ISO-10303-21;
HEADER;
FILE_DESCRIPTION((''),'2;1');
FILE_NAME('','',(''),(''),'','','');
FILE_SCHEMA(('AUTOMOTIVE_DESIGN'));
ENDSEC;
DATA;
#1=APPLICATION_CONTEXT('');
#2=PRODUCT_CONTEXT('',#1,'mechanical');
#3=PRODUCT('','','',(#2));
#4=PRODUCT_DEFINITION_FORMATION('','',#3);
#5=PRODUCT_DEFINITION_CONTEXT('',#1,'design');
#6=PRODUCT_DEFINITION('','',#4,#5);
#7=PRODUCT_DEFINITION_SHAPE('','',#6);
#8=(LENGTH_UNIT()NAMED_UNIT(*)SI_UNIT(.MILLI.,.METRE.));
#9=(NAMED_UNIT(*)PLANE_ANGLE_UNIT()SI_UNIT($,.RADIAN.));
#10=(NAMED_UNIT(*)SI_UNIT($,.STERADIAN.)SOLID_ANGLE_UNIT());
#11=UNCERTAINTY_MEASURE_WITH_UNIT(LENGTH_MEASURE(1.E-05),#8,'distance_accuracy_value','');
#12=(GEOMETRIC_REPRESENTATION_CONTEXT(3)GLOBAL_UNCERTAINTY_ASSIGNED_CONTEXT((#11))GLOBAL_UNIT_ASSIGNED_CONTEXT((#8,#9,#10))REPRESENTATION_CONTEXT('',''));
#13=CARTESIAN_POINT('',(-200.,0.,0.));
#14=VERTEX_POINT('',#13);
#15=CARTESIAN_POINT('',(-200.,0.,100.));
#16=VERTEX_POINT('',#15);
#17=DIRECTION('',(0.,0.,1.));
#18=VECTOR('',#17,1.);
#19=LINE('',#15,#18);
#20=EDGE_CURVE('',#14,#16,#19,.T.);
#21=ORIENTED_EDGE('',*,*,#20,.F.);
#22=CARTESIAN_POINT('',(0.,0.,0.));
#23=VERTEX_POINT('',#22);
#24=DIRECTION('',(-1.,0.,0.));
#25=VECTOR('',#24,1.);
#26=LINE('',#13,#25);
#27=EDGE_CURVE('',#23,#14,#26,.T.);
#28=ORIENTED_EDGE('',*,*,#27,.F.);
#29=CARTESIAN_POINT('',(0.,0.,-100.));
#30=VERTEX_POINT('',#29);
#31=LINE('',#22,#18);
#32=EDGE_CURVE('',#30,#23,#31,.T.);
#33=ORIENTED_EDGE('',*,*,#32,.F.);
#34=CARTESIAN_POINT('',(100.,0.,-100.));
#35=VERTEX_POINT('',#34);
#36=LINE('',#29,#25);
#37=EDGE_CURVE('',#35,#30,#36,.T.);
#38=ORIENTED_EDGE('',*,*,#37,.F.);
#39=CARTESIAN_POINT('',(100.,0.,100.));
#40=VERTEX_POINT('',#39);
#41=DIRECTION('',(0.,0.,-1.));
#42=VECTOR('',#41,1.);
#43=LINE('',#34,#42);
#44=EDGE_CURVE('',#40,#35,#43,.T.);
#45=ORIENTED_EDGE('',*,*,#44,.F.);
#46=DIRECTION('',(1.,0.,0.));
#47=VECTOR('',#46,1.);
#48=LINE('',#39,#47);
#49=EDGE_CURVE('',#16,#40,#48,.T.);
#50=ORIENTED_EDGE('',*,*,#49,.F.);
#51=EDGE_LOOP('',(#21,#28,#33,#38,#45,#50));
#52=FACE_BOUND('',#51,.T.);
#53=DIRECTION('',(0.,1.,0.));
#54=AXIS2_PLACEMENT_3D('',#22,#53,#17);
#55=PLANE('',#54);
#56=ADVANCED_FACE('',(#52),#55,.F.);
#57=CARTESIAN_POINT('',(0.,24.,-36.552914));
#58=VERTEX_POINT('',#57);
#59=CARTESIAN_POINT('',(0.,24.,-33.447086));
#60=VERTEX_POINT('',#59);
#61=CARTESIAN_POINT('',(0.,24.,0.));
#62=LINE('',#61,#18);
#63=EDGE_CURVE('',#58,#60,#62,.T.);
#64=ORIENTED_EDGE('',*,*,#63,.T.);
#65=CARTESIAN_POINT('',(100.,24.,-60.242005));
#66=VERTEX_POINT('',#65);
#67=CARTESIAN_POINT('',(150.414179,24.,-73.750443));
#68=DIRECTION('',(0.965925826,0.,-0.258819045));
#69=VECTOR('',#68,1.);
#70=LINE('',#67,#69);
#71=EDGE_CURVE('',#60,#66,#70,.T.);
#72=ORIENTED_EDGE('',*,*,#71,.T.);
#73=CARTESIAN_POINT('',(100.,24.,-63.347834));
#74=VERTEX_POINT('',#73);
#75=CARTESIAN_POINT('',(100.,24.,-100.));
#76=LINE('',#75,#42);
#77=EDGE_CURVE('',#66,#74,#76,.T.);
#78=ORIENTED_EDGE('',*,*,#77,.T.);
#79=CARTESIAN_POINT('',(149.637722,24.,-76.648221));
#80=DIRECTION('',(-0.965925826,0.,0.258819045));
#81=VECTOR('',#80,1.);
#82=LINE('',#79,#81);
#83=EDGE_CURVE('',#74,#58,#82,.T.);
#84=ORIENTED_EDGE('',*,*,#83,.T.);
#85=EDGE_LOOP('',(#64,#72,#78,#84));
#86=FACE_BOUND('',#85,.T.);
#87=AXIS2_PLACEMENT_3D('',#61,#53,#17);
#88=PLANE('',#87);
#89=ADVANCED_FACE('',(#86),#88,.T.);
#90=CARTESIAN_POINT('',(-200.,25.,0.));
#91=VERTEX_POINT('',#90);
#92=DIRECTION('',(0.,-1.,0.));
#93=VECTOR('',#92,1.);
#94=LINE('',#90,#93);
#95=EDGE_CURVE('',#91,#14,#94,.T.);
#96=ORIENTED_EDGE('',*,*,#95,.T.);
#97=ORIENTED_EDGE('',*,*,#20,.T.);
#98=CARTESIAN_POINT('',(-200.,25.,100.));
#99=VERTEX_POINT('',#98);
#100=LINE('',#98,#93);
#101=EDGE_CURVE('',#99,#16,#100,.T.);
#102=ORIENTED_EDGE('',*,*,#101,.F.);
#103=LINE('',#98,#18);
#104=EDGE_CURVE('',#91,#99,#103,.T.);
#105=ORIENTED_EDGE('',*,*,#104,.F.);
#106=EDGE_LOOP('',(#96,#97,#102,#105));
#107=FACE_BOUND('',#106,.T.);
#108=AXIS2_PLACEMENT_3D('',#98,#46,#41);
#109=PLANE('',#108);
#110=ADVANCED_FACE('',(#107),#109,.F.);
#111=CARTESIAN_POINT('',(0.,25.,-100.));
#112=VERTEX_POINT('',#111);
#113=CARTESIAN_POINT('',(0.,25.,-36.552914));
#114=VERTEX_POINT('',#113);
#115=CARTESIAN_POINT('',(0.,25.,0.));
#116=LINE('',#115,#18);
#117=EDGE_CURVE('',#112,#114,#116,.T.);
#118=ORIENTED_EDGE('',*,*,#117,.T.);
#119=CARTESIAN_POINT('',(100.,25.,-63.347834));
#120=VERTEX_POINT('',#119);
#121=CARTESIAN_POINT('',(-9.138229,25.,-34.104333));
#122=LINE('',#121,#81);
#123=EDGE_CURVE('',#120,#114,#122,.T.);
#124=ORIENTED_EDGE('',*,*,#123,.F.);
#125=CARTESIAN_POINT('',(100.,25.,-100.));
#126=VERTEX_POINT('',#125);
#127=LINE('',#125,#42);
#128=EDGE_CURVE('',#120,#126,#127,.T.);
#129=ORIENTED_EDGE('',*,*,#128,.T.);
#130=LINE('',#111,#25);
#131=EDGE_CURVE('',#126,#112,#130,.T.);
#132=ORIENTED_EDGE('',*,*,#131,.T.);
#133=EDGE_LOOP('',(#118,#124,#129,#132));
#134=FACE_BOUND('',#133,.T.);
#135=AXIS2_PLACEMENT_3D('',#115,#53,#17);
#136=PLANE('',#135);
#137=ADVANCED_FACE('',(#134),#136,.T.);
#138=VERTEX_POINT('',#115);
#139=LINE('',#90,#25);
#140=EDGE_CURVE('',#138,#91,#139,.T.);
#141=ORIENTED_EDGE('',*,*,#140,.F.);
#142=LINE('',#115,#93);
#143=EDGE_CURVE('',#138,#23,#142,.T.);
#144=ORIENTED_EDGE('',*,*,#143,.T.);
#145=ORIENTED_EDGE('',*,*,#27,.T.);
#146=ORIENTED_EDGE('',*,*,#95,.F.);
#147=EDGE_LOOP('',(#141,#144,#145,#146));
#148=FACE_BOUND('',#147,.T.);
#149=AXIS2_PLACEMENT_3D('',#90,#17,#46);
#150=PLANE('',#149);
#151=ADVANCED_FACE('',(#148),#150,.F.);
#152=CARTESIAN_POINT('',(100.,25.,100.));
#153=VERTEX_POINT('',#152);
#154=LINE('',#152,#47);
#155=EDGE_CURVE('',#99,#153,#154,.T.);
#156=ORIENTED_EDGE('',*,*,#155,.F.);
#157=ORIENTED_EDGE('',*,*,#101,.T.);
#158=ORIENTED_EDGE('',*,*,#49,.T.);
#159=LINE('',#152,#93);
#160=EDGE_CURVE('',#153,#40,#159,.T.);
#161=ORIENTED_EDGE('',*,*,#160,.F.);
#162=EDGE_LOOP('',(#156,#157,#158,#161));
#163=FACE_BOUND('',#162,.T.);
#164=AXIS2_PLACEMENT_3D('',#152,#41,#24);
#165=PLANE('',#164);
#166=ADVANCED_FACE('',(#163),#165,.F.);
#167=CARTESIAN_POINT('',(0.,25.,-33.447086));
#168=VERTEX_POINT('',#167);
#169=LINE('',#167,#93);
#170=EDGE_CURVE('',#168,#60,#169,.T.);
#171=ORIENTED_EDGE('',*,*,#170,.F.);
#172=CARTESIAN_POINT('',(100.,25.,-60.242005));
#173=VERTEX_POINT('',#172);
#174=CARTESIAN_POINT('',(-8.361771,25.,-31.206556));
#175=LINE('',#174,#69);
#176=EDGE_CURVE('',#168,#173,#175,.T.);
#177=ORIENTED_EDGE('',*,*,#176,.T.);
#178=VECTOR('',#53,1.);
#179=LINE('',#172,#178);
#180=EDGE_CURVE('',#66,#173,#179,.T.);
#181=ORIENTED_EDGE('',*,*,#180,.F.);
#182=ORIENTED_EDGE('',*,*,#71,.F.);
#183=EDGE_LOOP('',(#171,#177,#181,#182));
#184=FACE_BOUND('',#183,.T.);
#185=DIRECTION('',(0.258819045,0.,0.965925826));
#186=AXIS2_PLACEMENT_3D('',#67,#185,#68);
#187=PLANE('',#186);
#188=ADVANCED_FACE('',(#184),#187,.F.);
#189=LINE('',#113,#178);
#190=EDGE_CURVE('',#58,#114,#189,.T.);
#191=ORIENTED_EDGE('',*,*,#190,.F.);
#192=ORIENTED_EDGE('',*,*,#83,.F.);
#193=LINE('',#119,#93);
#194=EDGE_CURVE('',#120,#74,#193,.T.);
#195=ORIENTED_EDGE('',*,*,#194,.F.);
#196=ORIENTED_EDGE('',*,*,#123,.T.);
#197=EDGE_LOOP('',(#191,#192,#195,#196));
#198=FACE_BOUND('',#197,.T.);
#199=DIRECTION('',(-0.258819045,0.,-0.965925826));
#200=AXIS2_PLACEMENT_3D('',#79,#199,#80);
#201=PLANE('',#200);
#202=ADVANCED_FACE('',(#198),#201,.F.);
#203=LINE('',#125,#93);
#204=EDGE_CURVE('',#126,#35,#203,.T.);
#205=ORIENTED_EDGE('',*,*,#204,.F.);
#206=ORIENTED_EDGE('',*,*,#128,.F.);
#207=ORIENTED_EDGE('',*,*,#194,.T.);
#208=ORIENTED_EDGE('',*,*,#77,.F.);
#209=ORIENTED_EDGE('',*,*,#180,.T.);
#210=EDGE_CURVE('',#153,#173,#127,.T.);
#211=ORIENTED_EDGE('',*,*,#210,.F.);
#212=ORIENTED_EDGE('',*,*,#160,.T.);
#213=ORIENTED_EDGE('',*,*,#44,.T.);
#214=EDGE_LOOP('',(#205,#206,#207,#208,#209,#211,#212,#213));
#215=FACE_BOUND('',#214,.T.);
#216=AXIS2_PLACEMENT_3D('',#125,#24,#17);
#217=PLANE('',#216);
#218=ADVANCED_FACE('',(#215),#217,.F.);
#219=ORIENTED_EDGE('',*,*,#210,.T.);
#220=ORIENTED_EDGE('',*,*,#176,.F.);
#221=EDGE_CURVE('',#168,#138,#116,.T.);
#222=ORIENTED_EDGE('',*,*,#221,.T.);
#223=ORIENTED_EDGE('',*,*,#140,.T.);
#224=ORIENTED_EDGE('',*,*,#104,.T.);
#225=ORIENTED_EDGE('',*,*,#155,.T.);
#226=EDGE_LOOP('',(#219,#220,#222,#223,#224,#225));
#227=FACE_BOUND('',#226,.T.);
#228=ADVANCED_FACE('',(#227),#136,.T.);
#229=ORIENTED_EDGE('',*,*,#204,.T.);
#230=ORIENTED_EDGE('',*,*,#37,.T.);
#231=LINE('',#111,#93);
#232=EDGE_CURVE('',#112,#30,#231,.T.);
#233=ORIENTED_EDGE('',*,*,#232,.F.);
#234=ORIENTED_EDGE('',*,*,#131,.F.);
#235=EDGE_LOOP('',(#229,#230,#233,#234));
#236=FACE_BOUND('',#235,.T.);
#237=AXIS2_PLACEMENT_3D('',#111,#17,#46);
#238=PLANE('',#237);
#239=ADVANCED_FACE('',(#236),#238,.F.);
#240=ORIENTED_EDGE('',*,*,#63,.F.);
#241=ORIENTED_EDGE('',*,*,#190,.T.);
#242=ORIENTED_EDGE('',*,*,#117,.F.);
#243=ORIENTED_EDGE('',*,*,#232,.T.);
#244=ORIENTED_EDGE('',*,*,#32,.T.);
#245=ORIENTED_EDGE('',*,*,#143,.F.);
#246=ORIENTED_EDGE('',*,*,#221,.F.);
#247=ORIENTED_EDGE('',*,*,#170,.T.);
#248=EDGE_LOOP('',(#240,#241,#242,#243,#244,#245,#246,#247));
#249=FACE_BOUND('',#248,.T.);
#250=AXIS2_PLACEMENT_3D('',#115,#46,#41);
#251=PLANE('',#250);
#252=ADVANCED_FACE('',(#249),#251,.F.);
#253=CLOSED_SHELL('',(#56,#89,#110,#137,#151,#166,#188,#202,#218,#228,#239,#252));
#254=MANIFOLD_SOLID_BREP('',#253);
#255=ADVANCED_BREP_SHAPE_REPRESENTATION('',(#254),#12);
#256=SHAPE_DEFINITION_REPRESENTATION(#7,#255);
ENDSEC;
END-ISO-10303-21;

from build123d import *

# Parameters (mm, degrees)
BOSS_EXTRUDE1_DEPTH = 25
CUT_EXTRUDE1_DEPTH  = 1


with BuildPart() as part:
    # Sketch1 → Boss-Extrude1 (new body)
    with BuildSketch(Plane(origin=(0, 0, 0), x_dir=(1, 0, 0), z_dir=(0, 1, 0))):
        Polygon((0, 0), (0, 100), (100, 100), (100, -100), (-200, -100), (-200, 0), align=None)
    extrude(amount=BOSS_EXTRUDE1_DEPTH)

    # Sketch2 → Cut-Extrude1 (cut)
    with BuildSketch(Plane(origin=(0, 25, 0), x_dir=(1, 0, 0), z_dir=(0, 1, 0))):
        Polygon((150.414178645, 73.750443427), (-91.067277928, 9.045682152), (-91.843735063, 11.943459631), (149.637721509, 76.648220906), align=None)
    extrude(amount=-CUT_EXTRUDE1_DEPTH, mode=Mode.SUBTRACT)


solid = part.part
